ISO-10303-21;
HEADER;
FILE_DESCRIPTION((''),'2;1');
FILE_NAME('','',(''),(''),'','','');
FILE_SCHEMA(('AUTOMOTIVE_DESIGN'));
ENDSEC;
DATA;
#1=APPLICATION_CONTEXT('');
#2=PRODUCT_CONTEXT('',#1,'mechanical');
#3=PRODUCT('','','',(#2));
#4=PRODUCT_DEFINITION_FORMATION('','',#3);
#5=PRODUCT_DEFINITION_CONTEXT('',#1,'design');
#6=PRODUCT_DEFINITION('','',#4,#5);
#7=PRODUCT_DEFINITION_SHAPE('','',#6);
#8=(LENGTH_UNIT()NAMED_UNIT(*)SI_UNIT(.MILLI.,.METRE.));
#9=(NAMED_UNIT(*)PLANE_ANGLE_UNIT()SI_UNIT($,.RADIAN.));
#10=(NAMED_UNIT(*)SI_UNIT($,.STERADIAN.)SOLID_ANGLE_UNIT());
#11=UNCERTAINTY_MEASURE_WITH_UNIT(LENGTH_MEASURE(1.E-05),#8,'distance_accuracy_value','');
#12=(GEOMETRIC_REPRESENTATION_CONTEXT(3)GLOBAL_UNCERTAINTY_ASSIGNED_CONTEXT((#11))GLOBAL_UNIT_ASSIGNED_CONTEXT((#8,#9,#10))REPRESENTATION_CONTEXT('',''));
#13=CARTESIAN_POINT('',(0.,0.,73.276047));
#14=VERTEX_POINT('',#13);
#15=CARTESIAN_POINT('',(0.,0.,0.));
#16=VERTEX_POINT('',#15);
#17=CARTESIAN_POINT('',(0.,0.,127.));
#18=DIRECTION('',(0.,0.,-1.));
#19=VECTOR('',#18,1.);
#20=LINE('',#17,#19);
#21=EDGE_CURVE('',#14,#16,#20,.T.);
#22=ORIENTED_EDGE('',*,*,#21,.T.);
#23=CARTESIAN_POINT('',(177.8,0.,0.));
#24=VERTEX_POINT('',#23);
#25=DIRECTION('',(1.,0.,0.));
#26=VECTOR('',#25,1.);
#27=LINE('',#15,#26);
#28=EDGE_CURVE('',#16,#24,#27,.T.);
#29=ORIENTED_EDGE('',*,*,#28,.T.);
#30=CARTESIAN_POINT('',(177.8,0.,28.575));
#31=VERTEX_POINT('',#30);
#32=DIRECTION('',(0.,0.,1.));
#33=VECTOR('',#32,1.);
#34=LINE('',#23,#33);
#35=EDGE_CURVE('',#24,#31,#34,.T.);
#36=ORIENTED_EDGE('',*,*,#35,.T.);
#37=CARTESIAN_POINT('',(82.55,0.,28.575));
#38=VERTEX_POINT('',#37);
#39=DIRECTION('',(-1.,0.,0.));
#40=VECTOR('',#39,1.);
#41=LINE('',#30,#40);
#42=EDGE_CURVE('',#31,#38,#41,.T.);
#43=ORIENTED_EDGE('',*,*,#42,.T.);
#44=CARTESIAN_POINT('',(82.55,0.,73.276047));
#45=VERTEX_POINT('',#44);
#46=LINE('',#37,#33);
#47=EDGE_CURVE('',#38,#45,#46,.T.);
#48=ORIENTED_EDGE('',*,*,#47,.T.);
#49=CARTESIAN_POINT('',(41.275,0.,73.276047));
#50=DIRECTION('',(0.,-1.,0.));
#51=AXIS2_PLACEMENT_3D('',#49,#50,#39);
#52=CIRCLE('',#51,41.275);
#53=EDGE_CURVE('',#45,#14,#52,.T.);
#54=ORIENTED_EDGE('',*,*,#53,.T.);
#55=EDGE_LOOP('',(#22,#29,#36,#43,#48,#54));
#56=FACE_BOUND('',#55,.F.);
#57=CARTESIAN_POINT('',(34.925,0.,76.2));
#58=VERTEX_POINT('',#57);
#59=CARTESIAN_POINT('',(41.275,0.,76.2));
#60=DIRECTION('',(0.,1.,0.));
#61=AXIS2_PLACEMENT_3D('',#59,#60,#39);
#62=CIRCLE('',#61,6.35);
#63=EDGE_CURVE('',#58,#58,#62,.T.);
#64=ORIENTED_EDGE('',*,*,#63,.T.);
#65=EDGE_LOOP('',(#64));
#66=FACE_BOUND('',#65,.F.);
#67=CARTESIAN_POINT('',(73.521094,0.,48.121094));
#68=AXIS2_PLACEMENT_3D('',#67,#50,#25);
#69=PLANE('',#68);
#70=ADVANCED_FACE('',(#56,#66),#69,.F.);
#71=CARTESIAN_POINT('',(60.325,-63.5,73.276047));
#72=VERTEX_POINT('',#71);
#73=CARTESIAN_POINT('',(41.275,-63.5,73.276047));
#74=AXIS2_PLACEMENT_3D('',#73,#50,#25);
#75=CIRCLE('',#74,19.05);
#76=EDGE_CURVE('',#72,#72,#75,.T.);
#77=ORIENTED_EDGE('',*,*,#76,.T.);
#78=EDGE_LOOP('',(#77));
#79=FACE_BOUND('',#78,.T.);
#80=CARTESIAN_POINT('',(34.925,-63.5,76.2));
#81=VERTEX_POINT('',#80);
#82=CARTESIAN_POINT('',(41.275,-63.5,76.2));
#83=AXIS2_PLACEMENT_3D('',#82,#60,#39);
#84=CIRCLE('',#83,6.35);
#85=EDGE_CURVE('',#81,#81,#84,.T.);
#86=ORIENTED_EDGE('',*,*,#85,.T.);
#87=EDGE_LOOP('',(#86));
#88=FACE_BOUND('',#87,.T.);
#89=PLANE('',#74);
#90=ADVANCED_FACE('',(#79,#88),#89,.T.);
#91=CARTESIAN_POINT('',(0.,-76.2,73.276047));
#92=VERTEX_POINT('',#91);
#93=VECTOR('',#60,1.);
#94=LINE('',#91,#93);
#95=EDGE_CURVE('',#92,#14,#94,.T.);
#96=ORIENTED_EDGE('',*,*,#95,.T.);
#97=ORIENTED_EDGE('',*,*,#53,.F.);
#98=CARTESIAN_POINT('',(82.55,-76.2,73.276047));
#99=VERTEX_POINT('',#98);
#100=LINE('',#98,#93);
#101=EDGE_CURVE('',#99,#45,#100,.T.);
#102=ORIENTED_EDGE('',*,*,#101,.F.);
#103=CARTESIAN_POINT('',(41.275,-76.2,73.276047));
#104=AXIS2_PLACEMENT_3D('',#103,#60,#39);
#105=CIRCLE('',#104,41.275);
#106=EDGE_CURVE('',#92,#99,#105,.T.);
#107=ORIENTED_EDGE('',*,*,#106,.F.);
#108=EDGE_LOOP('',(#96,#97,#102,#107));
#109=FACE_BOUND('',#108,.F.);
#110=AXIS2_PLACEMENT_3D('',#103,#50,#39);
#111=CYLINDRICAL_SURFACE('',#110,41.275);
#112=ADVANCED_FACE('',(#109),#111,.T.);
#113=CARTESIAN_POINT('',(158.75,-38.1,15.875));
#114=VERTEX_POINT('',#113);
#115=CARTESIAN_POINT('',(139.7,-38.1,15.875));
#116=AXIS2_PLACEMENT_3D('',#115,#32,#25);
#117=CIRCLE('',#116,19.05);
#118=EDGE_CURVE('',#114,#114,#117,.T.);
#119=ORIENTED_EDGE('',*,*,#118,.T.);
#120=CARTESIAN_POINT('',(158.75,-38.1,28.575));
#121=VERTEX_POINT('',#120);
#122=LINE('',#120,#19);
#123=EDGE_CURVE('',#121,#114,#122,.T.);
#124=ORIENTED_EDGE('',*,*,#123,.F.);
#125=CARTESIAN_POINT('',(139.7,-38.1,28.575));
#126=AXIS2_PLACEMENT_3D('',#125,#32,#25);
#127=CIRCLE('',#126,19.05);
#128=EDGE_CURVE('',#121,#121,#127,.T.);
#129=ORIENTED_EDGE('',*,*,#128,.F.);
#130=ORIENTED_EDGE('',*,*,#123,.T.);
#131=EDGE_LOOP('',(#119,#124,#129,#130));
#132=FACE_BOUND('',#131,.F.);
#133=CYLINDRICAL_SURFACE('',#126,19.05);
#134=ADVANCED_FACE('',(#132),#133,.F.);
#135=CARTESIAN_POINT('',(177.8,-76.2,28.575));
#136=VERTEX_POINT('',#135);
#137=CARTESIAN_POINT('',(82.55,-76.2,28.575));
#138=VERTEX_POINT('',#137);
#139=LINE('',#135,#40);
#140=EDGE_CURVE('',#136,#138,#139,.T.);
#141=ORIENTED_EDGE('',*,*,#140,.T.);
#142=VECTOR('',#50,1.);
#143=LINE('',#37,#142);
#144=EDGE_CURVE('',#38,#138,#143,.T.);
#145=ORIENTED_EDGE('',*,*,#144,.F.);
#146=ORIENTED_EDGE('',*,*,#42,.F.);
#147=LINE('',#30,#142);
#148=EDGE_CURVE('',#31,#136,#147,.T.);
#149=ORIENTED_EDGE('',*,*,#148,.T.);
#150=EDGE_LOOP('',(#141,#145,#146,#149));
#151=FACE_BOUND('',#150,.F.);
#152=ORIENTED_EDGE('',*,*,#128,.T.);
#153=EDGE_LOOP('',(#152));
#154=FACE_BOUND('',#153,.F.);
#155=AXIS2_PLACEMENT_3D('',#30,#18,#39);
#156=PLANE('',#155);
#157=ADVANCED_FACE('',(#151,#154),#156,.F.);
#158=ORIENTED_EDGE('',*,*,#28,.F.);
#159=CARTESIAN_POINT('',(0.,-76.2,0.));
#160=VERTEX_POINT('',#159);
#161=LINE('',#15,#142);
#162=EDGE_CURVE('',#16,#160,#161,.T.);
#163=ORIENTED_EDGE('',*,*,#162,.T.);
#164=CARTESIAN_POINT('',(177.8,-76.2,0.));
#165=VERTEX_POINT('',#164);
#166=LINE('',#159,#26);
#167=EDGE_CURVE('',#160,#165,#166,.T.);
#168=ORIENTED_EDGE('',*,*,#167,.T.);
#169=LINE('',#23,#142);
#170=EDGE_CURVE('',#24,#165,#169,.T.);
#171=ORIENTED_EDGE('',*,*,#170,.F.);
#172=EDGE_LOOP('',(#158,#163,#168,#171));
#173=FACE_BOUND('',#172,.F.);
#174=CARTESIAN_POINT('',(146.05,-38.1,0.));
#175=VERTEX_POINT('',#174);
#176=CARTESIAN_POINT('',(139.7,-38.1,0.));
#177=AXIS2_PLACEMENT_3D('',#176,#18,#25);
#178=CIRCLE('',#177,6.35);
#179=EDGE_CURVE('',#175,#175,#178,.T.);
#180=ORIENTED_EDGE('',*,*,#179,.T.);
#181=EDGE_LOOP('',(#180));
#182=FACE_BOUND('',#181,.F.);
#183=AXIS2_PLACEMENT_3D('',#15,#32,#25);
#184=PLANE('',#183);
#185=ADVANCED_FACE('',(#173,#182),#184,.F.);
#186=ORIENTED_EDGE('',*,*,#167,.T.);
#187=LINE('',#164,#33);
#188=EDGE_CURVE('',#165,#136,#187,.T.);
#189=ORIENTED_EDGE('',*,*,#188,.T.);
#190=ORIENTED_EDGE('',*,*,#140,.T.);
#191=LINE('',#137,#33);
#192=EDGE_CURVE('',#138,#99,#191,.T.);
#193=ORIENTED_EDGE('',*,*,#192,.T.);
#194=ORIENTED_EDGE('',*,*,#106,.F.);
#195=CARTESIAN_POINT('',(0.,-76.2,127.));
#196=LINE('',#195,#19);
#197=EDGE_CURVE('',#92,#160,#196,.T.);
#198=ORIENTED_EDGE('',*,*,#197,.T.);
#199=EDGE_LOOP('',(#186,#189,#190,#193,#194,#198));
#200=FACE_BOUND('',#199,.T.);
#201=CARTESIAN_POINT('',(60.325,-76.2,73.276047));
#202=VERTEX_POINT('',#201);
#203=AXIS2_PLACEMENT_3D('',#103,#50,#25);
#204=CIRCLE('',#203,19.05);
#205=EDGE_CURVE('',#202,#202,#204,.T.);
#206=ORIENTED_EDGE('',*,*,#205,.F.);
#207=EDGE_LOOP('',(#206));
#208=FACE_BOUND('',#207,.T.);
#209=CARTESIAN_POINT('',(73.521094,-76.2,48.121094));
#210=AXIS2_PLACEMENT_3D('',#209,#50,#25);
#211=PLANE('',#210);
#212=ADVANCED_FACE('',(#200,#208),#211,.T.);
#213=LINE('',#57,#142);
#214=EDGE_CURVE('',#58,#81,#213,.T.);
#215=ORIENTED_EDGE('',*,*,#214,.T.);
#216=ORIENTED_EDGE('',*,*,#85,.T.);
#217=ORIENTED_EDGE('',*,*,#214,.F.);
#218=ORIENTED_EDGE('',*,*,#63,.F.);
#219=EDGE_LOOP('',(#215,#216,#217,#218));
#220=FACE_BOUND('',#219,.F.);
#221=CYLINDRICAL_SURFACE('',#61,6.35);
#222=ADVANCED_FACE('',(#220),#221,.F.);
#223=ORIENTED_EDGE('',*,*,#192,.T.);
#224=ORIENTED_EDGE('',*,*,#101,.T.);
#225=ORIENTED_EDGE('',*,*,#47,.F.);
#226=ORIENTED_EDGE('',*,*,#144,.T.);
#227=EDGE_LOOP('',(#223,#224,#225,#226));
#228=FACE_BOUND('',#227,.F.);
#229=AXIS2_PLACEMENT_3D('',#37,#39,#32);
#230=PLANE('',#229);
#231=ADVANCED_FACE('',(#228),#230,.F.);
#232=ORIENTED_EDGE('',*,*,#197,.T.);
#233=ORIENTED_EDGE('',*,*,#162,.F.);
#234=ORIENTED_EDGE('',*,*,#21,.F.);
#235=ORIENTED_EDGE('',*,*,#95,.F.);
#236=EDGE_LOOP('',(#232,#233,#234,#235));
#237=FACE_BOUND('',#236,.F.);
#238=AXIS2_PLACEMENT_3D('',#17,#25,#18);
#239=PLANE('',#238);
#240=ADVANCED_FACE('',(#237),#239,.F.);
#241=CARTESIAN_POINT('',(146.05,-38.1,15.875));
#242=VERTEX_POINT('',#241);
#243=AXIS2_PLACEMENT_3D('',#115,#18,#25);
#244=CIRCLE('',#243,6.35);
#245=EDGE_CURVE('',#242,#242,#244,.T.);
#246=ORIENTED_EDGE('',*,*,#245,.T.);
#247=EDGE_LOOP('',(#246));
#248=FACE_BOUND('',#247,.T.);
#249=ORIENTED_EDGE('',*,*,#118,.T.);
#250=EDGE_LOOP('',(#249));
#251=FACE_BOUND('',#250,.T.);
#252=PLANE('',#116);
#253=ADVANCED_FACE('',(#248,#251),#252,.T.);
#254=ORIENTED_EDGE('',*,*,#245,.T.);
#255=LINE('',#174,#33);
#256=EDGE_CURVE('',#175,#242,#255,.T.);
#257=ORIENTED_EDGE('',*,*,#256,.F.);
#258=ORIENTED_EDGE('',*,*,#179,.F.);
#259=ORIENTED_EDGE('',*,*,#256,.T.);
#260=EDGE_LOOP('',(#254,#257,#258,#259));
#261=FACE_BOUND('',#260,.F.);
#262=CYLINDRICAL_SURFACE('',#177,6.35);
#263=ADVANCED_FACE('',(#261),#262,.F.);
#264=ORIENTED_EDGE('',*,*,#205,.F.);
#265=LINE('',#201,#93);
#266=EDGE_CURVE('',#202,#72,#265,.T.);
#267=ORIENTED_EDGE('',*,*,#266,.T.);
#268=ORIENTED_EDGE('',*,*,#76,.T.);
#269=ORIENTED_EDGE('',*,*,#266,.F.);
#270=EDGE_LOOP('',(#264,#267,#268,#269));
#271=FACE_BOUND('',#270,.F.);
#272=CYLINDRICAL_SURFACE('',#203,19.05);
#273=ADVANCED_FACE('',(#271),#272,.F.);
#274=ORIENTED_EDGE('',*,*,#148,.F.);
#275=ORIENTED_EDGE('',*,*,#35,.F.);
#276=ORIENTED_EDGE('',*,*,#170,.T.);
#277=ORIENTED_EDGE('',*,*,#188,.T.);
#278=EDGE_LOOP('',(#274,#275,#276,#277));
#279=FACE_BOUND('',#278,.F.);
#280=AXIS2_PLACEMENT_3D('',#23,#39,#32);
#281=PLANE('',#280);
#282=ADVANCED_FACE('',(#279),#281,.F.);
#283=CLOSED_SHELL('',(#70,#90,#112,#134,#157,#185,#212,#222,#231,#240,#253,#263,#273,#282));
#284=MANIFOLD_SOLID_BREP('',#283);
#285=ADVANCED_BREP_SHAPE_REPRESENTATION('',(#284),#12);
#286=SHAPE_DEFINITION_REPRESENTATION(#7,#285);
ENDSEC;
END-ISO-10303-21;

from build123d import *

# Parameters (mm, degrees)
F1_DEPTH  = 76.2
F3_DEPTH  = 76.201
F4_R      = 19.05
F5_DEPTH  = 12.7
F6_R      = 6.35
F7_DEPTH  = 76.201
F8_R      = 19.05
F9_DEPTH  = 12.7
F10_R     = 6.35
F11_DEPTH = 114.552047


with BuildPart() as f1:
    # F0 (on Front) → F1 (new body)
    with BuildSketch(Plane.XZ):
        Polygon((0, 127), (0, 0), (177.8, 0), (177.8, 28.575), (82.55, 28.575), (82.55, 127), align=None)
    extrude(amount=F1_DEPTH)

    # F2 (on face) → F3 (cut, through all)
    with BuildSketch(Plane.XZ.offset(76.2)):
        with BuildLine():
            ThreePointArc((0, 73.276047), (41.275, 114.551047), (82.55, 73.276047))
            Line((82.55, 73.276047), (82.55, 127))
            Line((82.55, 127), (0, 127))
            Line((0, 127), (0, 73.276047))
        make_face()
    extrude(amount=-F3_DEPTH, mode=Mode.SUBTRACT)

    # F4 (on face) → F5 (cut)
    with BuildSketch(Plane.XZ.offset(76.2)):
        with Locations((41.275, 73.276047)):
            Circle(F4_R)
    extrude(amount=-F5_DEPTH, mode=Mode.SUBTRACT)

    # F6 (on face) → F7 (cut, through all)
    with BuildSketch(Plane(origin=(0, 0, 0), x_dir=(-1, 0, 0), z_dir=(0, 1, 0))):
        with Locations((-41.275, 76.2)):
            Circle(F6_R)
    extrude(amount=-F7_DEPTH, mode=Mode.SUBTRACT)

    # F8 (on face) → F9 (cut)
    with BuildSketch(Plane.XY.offset(28.575)):
        with Locations((139.7, -38.1)):
            Circle(F8_R)
    extrude(amount=-F9_DEPTH, mode=Mode.SUBTRACT)

    # F10 (on face) → F11 (cut, through all)
    with BuildSketch(Plane(origin=(0, 0, 0), x_dir=(1, 0, 0), z_dir=(0, 0, -1))):
        with Locations((139.7, 38.1)):
            Circle(F10_R)
    extrude(amount=-F11_DEPTH, mode=Mode.SUBTRACT)


solid = f1.part
